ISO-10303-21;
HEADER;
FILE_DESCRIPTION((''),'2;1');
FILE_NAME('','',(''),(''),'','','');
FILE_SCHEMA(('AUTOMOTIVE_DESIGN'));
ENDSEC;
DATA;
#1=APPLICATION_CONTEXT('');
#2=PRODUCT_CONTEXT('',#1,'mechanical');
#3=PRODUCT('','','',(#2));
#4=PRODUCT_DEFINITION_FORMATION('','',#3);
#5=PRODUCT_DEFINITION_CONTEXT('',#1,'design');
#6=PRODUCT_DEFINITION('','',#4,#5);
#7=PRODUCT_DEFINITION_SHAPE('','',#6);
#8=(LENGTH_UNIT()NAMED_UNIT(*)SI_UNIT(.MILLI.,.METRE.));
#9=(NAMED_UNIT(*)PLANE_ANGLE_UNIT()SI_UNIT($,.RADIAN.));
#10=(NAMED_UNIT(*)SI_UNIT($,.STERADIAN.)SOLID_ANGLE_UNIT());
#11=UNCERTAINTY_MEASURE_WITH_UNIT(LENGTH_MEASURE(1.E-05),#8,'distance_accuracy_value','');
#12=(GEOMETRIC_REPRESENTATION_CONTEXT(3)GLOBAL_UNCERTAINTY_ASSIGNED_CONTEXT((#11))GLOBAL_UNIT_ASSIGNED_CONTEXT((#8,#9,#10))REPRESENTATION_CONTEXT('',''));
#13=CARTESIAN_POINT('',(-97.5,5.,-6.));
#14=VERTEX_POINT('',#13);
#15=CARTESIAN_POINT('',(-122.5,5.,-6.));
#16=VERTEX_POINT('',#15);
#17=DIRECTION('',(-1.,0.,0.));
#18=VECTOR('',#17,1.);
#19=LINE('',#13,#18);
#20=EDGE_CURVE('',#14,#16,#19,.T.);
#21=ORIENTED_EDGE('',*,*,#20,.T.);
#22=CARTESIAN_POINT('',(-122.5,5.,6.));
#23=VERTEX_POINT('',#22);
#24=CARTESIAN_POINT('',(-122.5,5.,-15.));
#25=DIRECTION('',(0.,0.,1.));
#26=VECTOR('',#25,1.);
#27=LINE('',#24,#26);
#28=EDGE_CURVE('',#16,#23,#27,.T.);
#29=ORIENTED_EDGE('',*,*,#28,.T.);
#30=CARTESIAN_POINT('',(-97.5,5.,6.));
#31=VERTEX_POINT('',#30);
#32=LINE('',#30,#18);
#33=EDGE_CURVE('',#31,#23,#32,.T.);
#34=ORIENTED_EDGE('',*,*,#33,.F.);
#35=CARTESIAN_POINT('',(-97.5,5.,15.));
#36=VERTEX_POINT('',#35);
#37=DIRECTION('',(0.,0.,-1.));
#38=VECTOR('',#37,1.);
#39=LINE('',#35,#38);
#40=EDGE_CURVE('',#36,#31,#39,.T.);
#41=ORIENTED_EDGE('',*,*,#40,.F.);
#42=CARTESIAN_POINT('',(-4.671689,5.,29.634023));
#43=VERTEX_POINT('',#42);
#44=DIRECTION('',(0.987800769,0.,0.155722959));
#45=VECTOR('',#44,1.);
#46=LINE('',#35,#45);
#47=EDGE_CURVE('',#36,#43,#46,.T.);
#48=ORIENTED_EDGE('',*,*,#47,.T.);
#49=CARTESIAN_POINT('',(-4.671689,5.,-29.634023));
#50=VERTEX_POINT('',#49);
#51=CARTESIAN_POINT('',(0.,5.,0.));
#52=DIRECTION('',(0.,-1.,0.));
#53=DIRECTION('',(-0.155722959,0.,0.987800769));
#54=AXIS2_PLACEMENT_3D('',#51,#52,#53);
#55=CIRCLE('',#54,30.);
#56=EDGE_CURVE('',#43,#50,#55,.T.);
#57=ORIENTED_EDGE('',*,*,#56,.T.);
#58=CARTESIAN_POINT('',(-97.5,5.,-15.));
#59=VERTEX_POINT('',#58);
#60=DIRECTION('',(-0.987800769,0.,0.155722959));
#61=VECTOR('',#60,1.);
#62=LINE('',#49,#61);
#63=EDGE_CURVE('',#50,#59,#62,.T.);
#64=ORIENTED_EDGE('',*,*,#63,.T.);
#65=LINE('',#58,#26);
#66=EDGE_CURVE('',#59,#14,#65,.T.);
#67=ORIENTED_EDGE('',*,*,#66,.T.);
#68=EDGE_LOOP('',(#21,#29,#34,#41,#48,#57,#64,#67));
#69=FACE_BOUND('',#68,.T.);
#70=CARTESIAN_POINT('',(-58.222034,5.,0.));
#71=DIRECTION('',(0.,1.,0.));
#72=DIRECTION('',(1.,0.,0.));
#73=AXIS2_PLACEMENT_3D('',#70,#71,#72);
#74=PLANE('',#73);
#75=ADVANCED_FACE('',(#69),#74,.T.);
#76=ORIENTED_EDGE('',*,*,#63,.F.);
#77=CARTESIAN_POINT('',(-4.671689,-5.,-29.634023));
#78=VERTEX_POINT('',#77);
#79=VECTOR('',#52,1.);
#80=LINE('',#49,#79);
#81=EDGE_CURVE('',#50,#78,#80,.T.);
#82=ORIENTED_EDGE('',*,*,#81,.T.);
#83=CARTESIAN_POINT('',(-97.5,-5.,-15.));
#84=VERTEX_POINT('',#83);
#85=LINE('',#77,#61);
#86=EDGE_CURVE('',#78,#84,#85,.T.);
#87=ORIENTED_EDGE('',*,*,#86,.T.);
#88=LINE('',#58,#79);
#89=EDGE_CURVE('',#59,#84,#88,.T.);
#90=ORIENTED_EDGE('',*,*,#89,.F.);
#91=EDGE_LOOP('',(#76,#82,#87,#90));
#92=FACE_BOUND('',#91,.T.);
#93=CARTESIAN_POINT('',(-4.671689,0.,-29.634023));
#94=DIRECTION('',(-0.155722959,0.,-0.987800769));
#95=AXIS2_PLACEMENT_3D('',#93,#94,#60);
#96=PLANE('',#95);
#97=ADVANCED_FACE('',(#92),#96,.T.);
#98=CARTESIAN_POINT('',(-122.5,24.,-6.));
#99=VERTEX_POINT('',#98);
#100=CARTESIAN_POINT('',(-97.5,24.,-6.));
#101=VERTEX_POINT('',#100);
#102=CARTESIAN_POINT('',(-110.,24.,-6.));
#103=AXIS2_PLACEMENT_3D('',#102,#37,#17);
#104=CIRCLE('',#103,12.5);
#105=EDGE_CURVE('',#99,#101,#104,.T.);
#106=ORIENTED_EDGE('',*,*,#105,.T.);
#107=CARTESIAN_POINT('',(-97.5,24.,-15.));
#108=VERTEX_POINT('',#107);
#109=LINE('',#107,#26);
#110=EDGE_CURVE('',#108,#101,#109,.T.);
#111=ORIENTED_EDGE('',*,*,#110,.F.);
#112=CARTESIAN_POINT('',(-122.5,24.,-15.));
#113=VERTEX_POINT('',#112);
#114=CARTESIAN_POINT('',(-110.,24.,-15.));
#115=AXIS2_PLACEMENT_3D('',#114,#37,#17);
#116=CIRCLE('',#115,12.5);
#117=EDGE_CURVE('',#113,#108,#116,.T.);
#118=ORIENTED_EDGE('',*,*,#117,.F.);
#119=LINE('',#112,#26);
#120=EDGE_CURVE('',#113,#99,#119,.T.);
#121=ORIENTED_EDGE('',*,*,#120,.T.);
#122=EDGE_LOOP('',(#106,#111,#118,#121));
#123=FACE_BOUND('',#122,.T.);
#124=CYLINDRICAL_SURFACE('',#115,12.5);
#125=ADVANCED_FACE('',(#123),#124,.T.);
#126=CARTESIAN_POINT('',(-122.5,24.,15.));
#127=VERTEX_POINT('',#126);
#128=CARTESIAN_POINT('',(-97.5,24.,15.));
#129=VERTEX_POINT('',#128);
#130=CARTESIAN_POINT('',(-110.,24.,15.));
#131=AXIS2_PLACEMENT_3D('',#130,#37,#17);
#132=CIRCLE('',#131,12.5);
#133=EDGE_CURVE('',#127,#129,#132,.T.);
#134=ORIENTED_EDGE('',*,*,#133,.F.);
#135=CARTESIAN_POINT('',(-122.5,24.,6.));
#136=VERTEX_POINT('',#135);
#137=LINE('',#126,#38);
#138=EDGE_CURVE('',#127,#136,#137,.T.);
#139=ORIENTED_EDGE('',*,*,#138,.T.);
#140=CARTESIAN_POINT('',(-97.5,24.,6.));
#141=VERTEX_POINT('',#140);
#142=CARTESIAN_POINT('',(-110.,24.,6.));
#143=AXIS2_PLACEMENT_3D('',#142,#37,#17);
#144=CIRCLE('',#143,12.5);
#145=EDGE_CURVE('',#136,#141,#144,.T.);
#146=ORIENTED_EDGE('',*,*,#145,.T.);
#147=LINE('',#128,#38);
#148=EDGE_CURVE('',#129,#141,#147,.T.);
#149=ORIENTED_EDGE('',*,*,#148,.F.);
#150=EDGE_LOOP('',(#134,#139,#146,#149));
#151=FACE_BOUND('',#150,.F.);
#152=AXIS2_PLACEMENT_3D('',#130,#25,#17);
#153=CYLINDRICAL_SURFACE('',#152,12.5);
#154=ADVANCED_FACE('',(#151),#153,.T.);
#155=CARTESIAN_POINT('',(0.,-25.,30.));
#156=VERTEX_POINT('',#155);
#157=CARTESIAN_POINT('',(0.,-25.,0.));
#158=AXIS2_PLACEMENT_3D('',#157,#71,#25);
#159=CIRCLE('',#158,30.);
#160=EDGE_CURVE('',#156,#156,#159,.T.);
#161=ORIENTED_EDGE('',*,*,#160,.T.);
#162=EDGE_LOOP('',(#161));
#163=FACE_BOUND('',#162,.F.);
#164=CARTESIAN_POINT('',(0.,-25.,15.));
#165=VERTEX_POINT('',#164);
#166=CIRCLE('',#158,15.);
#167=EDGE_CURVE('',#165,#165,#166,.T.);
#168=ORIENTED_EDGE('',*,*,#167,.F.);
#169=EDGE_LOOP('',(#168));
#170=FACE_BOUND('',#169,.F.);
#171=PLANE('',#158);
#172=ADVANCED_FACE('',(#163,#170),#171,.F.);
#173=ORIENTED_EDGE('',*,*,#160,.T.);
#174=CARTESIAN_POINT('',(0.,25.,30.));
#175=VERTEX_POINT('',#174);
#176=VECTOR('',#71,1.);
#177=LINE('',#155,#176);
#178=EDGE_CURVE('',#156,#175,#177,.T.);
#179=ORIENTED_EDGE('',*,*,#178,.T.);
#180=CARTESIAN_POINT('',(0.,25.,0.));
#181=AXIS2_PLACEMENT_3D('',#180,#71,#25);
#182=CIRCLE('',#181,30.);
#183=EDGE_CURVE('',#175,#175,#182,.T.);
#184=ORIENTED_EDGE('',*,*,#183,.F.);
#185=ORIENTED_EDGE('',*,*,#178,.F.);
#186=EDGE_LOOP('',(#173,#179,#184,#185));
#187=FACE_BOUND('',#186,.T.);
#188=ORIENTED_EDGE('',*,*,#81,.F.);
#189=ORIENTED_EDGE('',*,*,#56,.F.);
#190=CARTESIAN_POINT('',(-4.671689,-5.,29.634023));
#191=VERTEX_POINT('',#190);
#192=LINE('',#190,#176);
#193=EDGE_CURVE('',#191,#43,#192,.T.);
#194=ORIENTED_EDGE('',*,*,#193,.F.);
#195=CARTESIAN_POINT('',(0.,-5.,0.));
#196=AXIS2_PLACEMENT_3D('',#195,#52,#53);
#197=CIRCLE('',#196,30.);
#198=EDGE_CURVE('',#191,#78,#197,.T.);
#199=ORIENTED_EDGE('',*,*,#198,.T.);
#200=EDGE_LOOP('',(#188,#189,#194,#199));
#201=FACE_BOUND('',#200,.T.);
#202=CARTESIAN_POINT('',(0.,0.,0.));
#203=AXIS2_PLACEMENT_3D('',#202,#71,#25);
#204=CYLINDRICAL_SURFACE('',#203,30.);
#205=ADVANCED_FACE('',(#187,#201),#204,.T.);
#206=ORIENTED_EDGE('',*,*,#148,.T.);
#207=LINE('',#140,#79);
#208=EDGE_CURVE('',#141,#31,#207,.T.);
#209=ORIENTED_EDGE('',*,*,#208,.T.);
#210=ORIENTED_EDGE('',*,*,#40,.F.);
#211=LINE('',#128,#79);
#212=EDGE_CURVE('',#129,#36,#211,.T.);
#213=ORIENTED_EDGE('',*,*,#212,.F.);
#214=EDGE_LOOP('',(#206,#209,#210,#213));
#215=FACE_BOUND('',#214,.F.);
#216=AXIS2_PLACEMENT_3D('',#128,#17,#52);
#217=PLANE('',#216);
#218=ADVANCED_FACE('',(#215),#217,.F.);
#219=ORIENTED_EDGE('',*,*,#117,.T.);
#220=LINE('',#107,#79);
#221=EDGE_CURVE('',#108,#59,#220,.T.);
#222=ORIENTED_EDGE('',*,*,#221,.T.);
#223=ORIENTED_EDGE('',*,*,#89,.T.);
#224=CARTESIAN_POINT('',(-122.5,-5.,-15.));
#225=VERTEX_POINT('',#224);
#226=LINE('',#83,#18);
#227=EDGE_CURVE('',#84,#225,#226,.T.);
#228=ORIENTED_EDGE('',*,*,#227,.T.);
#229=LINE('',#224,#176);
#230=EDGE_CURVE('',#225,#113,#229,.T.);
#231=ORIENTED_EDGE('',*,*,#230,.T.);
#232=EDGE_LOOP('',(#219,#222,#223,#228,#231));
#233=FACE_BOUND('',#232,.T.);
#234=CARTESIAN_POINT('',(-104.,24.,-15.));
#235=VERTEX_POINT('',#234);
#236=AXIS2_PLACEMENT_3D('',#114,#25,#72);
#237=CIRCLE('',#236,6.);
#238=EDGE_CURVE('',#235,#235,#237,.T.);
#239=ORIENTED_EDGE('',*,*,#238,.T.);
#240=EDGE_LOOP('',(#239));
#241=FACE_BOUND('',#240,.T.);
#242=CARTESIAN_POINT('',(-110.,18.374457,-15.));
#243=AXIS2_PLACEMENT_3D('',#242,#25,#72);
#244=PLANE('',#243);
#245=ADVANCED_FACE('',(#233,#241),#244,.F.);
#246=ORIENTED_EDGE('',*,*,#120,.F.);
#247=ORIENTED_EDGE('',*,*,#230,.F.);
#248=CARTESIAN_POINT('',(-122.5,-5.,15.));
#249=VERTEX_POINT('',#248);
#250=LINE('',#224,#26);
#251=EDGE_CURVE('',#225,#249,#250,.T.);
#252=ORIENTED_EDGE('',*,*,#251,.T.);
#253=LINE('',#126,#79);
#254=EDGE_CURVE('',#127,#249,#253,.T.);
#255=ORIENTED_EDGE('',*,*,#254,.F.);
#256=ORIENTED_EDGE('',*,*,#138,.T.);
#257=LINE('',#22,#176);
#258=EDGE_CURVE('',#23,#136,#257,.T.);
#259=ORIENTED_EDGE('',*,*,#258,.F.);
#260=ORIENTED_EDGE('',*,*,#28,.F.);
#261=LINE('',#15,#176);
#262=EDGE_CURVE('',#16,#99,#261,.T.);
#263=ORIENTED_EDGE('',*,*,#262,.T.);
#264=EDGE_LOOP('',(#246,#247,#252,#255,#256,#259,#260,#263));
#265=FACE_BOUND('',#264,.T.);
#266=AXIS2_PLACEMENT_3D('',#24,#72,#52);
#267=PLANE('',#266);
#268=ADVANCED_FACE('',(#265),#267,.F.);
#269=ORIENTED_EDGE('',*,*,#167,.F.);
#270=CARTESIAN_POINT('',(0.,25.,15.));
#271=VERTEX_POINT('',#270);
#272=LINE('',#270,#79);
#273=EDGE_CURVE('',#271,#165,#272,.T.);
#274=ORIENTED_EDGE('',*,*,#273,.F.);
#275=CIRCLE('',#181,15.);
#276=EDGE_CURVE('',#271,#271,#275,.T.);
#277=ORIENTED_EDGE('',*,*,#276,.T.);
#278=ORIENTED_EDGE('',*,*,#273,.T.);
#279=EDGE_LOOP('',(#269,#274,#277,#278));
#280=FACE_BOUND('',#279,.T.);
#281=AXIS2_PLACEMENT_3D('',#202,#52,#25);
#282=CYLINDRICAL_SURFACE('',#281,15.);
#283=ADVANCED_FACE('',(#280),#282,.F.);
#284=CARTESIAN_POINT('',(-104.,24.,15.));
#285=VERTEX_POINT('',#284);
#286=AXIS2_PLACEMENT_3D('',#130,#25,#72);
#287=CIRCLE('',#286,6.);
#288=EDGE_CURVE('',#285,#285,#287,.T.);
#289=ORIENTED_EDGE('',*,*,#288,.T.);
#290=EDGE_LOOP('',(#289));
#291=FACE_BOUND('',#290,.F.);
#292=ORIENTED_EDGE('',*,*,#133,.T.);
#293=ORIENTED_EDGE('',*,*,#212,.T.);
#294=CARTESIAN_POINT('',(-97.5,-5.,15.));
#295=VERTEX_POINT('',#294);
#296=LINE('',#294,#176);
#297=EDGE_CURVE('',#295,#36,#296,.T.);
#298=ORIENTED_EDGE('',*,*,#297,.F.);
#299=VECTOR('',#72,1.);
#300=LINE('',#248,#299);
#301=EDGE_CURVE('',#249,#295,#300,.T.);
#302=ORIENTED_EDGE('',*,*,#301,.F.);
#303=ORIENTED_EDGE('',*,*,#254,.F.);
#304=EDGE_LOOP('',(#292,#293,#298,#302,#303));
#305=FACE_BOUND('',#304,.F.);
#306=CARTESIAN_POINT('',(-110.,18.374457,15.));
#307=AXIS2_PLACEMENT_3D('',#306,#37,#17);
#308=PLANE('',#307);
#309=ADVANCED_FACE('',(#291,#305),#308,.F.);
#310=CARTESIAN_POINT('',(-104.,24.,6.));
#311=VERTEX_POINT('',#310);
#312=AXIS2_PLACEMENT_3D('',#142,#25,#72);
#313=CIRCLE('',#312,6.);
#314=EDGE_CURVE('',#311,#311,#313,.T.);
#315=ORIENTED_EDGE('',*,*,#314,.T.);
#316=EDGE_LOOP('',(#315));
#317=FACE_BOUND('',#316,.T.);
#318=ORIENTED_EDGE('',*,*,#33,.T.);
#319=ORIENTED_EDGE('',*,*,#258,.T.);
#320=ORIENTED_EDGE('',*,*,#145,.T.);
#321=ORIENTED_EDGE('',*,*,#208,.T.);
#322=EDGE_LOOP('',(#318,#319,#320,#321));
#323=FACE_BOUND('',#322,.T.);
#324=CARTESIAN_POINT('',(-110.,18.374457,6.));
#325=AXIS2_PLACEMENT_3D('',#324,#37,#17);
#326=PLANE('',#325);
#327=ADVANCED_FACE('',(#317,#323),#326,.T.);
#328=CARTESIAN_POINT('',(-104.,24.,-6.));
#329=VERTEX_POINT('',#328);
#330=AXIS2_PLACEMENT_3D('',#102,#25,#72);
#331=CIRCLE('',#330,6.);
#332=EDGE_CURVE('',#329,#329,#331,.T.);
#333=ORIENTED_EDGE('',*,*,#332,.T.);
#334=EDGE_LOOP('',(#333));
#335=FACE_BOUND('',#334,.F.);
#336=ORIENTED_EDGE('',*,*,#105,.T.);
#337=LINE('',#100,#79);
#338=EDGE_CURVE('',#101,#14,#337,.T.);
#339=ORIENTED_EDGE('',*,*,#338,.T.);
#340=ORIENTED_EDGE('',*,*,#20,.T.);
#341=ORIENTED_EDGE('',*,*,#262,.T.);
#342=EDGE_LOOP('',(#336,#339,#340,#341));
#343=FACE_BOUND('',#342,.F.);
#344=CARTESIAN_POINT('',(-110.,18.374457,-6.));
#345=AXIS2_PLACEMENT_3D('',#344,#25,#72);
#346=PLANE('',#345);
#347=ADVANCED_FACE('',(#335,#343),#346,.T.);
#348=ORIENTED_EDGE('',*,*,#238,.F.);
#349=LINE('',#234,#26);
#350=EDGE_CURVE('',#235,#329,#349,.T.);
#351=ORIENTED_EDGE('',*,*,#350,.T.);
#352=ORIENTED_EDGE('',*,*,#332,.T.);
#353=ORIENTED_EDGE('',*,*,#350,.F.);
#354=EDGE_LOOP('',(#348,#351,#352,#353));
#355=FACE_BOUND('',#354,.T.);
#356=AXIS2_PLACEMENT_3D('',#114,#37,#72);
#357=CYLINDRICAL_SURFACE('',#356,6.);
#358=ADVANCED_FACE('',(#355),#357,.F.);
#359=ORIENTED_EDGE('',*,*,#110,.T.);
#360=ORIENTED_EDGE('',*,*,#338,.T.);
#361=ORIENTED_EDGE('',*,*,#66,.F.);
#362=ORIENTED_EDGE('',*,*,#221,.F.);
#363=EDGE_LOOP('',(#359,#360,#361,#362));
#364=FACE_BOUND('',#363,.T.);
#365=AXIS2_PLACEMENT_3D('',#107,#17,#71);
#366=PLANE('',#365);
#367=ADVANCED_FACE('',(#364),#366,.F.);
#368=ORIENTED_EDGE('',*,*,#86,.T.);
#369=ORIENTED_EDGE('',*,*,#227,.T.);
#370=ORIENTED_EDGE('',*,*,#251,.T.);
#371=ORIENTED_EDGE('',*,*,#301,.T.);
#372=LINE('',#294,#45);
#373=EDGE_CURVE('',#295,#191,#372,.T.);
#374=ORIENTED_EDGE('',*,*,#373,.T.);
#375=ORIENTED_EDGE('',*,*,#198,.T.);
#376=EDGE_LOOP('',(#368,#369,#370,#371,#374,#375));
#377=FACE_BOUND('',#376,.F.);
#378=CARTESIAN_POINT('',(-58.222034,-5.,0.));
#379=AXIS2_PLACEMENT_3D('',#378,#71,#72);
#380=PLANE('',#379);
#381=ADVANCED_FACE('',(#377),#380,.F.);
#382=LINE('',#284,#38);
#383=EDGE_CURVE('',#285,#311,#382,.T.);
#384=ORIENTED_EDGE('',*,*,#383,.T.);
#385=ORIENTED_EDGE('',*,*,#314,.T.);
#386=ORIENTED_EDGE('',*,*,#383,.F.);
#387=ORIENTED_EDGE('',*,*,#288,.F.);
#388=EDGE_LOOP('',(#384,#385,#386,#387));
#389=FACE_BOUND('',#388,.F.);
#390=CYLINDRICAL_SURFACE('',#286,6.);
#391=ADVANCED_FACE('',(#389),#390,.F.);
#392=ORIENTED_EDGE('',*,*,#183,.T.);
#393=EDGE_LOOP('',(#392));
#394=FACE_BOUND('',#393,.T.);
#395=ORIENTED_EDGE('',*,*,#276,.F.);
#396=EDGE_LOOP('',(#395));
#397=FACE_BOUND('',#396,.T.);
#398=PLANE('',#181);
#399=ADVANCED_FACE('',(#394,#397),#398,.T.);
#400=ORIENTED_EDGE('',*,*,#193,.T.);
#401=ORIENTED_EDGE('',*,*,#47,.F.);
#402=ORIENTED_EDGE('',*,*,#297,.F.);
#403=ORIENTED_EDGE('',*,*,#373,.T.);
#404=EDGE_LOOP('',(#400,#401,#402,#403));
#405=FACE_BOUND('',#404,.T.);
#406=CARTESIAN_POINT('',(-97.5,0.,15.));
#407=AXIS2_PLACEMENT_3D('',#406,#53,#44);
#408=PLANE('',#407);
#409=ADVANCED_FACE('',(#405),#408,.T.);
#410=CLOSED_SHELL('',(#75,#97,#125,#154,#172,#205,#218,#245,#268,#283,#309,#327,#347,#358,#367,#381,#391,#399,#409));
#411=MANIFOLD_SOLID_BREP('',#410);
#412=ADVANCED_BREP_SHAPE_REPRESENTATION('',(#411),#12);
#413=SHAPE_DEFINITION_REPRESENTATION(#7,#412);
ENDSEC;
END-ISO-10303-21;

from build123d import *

# Parameters (mm, degrees)
SKETCH1_R           = 30
SKETCH1_R_2         = 15
BOSS_EXTRUDE6_DEPTH = 25
BOSS_EXTRUDE8_DEPTH = 5
SKETCH6_R           = 6
BOSS_EXTRUDE9_DEPTH = 9


with BuildPart() as part:
    # Sketch1 → Boss-Extrude6 (new body, symmetric)
    with BuildSketch(Plane(origin=(0, 0, 0), x_dir=(1, 0, 0), z_dir=(0, 1, 0))):
        with Locations(Location((0, 0, 0), (0, 0, 270))):  # turned: the seam where the file's is
            Circle(SKETCH1_R)
        with Locations(Location((0, 0, 0), (0, 0, 270))):  # turned: the seam where the file's is
            Circle(SKETCH1_R_2, mode=Mode.SUBTRACT)
    extrude(amount=BOSS_EXTRUDE6_DEPTH, both=True)

    # Sketch4 → Boss-Extrude8 (add, symmetric)
    with BuildSketch(Plane(origin=(0, 0, 0), x_dir=(1, 0, 0), z_dir=(0, 1, 0))):
        with BuildLine():
            Line((-122.5, 15), (-122.5, -15))
            Line((-122.5, -15), (-97.5, -15))
            Line((-97.5, -15), (-4.671688756, -29.634023084))
            ThreePointArc((-4.671688756, -29.634023084), (-30, 0), (-4.671688756, 29.634023084))
            Line((-4.671688756, 29.634023084), (-97.5, 15))
            Line((-97.5, 15), (-122.5, 15))
        make_face()
    extrude(amount=BOSS_EXTRUDE8_DEPTH, both=True)

    # Sketch6 → Boss-Extrude9 (add)
    with BuildSketch(Plane.XY.offset(15)):
        with BuildLine():
            Line((-97.5, 24), (-97.5, 5))
            Line((-97.5, 5), (-122.5, 5))
            Line((-122.5, 5), (-122.5, 24))
            ThreePointArc((-122.5, 24), (-110, 36.5), (-97.5, 24))
        make_face()
        with Locations((-110, 24)):
            Circle(SKETCH6_R, mode=Mode.SUBTRACT)
    boss_extrude9 = extrude(amount=-BOSS_EXTRUDE9_DEPTH)

    # Mirror1: Boss-Extrude9 across plane
    add(boss_extrude9.mirror(Plane.XY))


solid = part.part
